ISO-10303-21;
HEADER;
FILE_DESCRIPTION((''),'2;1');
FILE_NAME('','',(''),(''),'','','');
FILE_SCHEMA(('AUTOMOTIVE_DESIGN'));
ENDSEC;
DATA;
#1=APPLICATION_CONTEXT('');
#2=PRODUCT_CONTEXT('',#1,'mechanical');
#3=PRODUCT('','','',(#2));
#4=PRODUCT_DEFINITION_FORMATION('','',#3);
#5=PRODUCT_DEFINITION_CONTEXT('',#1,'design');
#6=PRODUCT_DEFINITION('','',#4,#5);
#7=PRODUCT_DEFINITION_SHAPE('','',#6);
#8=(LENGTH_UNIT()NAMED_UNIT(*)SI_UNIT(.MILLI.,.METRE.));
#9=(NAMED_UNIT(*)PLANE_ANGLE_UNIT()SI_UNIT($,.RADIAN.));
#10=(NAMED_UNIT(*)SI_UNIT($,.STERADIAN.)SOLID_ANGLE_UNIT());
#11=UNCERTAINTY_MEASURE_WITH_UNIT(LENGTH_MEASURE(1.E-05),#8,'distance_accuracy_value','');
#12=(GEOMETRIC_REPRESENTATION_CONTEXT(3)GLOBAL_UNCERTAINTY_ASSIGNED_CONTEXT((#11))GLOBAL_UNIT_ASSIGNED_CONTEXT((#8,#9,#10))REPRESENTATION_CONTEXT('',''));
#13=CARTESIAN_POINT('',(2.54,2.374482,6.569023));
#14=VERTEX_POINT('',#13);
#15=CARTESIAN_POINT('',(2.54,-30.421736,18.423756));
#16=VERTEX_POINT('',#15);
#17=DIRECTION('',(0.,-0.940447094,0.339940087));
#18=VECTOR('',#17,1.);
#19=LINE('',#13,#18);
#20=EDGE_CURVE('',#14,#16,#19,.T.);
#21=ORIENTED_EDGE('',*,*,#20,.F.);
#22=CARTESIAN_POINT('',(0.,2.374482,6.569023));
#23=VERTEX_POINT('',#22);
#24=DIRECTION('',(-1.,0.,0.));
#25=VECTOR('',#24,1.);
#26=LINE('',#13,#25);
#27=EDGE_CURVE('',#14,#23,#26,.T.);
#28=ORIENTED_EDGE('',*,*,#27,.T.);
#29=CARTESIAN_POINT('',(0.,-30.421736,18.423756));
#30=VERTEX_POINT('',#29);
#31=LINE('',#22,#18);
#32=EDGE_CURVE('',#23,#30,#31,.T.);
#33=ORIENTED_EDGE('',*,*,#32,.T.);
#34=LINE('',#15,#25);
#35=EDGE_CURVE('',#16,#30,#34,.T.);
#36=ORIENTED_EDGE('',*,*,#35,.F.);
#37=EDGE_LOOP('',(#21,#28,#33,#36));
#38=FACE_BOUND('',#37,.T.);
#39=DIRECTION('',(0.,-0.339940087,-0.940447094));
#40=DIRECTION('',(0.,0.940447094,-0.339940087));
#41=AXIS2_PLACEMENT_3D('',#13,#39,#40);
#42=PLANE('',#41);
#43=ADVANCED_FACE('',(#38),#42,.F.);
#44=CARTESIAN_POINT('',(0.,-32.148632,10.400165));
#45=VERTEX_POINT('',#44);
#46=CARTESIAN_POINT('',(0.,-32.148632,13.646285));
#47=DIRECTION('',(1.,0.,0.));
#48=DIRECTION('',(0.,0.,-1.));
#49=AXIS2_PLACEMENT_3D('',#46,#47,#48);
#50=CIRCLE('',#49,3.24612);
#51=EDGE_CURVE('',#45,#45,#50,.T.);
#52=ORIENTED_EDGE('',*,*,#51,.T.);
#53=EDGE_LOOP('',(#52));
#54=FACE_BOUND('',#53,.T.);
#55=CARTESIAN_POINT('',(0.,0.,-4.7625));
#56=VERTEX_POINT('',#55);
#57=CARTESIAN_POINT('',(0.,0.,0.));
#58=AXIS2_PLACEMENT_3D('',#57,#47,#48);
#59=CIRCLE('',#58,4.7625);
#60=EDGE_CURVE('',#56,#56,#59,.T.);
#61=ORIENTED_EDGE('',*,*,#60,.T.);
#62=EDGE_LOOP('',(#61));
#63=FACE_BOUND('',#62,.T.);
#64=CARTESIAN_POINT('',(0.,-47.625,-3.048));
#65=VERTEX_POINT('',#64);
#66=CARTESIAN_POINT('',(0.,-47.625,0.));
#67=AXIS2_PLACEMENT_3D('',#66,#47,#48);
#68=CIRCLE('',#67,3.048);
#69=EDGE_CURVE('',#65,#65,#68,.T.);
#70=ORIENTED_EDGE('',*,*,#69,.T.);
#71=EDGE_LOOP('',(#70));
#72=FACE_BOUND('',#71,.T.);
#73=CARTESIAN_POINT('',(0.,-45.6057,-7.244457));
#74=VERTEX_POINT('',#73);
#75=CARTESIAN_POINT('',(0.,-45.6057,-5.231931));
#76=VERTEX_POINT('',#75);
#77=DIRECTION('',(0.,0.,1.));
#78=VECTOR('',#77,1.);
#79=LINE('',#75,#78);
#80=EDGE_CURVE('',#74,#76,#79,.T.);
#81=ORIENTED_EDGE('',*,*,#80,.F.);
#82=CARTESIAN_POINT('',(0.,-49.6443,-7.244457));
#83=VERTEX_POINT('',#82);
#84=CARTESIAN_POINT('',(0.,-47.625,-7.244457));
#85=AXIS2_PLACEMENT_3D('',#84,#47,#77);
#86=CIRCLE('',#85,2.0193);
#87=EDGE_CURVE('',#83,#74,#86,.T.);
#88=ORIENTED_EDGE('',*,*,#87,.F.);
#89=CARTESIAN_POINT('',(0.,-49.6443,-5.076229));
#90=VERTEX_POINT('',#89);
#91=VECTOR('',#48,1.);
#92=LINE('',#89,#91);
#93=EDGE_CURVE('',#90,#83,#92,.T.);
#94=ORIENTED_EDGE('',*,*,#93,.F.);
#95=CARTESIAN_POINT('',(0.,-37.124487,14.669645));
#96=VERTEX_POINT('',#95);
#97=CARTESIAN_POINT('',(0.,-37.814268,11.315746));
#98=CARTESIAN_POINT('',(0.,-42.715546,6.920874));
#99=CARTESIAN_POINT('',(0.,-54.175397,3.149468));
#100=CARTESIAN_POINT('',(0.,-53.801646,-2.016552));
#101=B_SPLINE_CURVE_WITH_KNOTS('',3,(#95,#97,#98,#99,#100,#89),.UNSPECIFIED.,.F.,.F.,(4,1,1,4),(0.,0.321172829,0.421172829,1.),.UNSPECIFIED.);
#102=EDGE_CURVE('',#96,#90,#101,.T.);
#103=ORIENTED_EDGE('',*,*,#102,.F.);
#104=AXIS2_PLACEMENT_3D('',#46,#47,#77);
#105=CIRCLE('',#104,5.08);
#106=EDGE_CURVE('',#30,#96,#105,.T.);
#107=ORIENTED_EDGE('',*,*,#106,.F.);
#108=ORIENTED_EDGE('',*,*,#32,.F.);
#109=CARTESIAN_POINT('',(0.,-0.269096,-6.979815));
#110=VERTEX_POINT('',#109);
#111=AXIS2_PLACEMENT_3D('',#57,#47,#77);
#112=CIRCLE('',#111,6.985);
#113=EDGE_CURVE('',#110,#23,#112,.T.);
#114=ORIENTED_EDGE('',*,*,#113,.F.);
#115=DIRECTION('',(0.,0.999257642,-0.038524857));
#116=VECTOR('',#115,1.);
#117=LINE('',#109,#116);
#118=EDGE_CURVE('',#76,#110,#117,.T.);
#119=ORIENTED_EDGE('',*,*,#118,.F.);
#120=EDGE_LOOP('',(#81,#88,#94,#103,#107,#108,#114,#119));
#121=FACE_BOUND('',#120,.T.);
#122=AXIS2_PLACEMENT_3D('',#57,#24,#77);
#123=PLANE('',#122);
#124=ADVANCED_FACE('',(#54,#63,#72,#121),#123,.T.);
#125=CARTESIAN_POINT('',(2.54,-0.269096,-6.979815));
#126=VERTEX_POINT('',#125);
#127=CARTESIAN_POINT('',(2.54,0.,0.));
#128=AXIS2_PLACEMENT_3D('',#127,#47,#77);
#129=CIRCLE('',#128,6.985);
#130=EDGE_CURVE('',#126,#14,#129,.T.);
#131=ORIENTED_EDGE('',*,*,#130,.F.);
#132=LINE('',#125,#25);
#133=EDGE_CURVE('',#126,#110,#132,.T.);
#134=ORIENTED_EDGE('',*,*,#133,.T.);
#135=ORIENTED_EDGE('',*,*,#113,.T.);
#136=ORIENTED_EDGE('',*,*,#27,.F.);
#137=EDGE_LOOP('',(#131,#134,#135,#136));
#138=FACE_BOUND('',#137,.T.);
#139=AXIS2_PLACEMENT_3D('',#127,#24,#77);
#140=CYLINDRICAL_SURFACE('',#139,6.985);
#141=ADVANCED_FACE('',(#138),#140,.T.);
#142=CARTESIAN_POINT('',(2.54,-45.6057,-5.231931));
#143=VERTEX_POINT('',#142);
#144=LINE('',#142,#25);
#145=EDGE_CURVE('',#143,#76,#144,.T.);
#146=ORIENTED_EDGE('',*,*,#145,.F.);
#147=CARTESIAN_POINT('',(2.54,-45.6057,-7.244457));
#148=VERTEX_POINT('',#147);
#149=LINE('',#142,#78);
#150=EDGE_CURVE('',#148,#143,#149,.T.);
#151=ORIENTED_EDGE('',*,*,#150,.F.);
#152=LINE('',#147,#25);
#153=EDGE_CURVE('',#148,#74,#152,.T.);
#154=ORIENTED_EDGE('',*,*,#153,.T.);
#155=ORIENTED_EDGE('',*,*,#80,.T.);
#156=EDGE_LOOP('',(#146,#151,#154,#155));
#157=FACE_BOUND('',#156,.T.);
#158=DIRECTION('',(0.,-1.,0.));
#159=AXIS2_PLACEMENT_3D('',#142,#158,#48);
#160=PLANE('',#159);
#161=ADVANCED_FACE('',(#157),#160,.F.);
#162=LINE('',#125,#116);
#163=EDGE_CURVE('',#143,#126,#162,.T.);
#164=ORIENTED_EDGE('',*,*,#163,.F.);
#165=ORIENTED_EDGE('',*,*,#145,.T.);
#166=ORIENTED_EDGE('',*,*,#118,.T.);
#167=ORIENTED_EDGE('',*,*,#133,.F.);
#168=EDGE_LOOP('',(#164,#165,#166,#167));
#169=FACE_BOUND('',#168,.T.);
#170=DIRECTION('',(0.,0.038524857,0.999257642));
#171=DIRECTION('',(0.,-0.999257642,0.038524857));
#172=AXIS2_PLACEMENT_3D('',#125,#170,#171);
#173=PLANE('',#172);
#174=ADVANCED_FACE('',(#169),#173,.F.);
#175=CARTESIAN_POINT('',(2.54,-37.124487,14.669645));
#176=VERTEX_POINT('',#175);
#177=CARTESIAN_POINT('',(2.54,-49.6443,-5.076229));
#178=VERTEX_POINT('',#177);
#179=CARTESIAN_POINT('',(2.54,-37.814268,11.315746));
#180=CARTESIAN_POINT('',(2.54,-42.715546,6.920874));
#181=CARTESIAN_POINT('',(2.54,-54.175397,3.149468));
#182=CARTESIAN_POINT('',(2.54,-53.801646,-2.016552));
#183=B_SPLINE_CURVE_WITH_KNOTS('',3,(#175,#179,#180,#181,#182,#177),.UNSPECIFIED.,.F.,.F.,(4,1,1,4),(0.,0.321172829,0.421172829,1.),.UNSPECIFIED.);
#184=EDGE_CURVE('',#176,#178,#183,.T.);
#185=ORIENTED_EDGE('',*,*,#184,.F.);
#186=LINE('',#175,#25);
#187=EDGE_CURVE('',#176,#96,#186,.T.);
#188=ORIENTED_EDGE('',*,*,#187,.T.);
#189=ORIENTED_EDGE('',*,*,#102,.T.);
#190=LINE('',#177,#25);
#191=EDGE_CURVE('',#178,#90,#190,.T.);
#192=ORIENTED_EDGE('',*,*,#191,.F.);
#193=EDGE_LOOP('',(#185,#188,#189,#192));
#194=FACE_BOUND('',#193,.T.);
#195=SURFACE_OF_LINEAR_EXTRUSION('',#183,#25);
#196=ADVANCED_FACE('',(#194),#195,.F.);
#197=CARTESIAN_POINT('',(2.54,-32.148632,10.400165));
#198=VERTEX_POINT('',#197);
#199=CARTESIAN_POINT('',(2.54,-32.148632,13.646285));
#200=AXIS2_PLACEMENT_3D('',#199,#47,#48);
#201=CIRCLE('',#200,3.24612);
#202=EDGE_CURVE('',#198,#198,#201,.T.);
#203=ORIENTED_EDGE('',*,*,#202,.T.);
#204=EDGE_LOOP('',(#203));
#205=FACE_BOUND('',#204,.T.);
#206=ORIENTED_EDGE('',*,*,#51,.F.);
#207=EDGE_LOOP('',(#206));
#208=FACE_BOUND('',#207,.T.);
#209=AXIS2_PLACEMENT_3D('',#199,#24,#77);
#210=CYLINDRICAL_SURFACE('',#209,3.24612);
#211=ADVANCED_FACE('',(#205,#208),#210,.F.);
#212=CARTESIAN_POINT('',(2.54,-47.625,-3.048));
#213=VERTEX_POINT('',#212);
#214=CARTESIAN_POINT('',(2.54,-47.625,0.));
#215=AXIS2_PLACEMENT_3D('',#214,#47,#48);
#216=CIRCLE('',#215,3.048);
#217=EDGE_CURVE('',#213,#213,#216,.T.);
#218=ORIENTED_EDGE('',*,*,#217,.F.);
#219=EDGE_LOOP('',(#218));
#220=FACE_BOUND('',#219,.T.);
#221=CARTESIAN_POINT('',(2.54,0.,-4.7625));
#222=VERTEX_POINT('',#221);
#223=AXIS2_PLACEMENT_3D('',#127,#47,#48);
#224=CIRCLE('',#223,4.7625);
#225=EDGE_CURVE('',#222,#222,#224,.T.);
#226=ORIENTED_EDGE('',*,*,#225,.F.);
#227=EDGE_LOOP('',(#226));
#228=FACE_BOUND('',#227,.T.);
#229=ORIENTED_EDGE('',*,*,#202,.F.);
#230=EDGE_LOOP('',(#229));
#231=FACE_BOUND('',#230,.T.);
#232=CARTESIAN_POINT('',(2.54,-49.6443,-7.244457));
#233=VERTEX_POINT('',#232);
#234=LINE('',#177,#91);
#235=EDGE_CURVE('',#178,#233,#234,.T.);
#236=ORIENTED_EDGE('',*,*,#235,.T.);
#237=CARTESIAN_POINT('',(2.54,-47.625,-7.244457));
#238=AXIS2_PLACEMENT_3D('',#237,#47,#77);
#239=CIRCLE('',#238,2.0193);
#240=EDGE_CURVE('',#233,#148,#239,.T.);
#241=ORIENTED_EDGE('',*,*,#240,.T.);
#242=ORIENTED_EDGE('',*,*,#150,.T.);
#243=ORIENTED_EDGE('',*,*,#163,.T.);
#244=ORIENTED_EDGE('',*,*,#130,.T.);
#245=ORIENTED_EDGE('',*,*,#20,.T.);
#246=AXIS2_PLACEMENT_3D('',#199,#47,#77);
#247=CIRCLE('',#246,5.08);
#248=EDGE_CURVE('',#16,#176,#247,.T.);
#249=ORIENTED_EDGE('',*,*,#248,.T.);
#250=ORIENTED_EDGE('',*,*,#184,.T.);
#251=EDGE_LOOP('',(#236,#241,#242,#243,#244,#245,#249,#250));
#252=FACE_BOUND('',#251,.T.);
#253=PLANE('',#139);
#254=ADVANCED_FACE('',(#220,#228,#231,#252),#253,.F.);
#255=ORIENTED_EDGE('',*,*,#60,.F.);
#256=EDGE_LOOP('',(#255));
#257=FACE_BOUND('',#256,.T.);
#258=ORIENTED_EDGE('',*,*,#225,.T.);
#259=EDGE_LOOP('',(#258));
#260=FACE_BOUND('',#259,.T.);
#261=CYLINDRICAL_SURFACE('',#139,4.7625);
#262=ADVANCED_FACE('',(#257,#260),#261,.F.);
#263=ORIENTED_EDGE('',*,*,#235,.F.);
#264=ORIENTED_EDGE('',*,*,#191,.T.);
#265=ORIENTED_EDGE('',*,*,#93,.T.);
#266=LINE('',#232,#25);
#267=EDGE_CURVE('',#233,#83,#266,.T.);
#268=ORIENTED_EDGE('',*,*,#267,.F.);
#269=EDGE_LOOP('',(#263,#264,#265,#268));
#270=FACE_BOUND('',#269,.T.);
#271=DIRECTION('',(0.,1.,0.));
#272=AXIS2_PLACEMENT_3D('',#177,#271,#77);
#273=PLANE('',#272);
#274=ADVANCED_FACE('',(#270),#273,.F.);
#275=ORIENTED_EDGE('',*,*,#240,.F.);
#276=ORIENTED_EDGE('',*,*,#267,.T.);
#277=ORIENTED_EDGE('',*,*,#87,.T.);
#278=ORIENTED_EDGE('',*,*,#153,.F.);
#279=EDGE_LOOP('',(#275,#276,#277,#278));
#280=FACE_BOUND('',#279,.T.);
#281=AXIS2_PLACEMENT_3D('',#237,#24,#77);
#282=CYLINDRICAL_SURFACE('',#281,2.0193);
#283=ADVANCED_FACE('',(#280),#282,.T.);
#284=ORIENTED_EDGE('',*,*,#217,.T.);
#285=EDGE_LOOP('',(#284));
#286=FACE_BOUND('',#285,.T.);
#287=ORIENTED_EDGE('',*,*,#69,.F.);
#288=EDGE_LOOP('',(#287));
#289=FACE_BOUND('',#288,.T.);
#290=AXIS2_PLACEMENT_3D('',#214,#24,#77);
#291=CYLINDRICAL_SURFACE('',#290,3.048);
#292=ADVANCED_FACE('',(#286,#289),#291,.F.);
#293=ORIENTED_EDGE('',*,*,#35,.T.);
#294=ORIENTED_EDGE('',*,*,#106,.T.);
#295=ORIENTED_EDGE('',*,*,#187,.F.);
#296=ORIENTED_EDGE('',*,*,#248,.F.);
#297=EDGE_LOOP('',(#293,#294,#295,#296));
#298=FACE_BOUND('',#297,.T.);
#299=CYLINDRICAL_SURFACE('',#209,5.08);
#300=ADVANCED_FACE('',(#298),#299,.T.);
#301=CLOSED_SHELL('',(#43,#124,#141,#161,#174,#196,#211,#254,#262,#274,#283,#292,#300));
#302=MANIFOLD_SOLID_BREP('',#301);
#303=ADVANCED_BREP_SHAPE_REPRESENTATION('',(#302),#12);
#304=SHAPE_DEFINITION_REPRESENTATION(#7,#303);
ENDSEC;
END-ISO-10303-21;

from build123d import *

# Parameters (mm, degrees)
SKETCH1_R           = 4.7625
SKETCH1_R_2         = 3.24612
SKETCH1_R_3         = 3.048
BOSS_EXTRUDE1_DEPTH = 2.54


with BuildPart() as part:
    # Sketch1 → Boss-Extrude1 (new body)
    with BuildSketch(Plane(origin=(0, 0, 0), x_dir=(0, 0, -1), z_dir=(1, 0, 0))):
        with BuildLine():
            Line((-6.569022954, 2.374481507), (-18.423755902, -30.421736365))
            ThreePointArc((-18.423755902, -30.421736365), (-18.07845445, -34.631024194), (-14.669645238, -37.124487022))
            add(Edge.make_bspline(
                [(-14.669645238, -37.124487022), (-11.315746, -37.814267622), (-6.920874402, -42.715545966), (-3.149468295, -54.175396606), (2.01655163, -53.801646181), (5.076228822, -49.6443)],
                knots=[0, 0, 0, 0, 0.321172829, 0.421172829, 1, 1, 1, 1], degree=3))
            Line((5.076228822, -49.6443), (7.24445656, -49.6443))
            ThreePointArc((7.24445656, -49.6443), (9.26375656, -47.625), (7.24445656, -45.6057))
            Line((7.24445656, -45.6057), (5.231930896, -45.6057))
            Line((5.231930896, -45.6057), (6.97981463, -0.269096126))
            ThreePointArc((6.97981463, -0.269096126), (1.337652095, 6.855721105), (-6.569022954, 2.374481507))
        make_face()
        Circle(SKETCH1_R, mode=Mode.SUBTRACT)
        with Locations((-13.646284662, -32.148632007)):
            Circle(SKETCH1_R_2, mode=Mode.SUBTRACT)
        with Locations((0, -47.625)):
            Circle(SKETCH1_R_3, mode=Mode.SUBTRACT)
    extrude(amount=BOSS_EXTRUDE1_DEPTH)


solid = part.part
